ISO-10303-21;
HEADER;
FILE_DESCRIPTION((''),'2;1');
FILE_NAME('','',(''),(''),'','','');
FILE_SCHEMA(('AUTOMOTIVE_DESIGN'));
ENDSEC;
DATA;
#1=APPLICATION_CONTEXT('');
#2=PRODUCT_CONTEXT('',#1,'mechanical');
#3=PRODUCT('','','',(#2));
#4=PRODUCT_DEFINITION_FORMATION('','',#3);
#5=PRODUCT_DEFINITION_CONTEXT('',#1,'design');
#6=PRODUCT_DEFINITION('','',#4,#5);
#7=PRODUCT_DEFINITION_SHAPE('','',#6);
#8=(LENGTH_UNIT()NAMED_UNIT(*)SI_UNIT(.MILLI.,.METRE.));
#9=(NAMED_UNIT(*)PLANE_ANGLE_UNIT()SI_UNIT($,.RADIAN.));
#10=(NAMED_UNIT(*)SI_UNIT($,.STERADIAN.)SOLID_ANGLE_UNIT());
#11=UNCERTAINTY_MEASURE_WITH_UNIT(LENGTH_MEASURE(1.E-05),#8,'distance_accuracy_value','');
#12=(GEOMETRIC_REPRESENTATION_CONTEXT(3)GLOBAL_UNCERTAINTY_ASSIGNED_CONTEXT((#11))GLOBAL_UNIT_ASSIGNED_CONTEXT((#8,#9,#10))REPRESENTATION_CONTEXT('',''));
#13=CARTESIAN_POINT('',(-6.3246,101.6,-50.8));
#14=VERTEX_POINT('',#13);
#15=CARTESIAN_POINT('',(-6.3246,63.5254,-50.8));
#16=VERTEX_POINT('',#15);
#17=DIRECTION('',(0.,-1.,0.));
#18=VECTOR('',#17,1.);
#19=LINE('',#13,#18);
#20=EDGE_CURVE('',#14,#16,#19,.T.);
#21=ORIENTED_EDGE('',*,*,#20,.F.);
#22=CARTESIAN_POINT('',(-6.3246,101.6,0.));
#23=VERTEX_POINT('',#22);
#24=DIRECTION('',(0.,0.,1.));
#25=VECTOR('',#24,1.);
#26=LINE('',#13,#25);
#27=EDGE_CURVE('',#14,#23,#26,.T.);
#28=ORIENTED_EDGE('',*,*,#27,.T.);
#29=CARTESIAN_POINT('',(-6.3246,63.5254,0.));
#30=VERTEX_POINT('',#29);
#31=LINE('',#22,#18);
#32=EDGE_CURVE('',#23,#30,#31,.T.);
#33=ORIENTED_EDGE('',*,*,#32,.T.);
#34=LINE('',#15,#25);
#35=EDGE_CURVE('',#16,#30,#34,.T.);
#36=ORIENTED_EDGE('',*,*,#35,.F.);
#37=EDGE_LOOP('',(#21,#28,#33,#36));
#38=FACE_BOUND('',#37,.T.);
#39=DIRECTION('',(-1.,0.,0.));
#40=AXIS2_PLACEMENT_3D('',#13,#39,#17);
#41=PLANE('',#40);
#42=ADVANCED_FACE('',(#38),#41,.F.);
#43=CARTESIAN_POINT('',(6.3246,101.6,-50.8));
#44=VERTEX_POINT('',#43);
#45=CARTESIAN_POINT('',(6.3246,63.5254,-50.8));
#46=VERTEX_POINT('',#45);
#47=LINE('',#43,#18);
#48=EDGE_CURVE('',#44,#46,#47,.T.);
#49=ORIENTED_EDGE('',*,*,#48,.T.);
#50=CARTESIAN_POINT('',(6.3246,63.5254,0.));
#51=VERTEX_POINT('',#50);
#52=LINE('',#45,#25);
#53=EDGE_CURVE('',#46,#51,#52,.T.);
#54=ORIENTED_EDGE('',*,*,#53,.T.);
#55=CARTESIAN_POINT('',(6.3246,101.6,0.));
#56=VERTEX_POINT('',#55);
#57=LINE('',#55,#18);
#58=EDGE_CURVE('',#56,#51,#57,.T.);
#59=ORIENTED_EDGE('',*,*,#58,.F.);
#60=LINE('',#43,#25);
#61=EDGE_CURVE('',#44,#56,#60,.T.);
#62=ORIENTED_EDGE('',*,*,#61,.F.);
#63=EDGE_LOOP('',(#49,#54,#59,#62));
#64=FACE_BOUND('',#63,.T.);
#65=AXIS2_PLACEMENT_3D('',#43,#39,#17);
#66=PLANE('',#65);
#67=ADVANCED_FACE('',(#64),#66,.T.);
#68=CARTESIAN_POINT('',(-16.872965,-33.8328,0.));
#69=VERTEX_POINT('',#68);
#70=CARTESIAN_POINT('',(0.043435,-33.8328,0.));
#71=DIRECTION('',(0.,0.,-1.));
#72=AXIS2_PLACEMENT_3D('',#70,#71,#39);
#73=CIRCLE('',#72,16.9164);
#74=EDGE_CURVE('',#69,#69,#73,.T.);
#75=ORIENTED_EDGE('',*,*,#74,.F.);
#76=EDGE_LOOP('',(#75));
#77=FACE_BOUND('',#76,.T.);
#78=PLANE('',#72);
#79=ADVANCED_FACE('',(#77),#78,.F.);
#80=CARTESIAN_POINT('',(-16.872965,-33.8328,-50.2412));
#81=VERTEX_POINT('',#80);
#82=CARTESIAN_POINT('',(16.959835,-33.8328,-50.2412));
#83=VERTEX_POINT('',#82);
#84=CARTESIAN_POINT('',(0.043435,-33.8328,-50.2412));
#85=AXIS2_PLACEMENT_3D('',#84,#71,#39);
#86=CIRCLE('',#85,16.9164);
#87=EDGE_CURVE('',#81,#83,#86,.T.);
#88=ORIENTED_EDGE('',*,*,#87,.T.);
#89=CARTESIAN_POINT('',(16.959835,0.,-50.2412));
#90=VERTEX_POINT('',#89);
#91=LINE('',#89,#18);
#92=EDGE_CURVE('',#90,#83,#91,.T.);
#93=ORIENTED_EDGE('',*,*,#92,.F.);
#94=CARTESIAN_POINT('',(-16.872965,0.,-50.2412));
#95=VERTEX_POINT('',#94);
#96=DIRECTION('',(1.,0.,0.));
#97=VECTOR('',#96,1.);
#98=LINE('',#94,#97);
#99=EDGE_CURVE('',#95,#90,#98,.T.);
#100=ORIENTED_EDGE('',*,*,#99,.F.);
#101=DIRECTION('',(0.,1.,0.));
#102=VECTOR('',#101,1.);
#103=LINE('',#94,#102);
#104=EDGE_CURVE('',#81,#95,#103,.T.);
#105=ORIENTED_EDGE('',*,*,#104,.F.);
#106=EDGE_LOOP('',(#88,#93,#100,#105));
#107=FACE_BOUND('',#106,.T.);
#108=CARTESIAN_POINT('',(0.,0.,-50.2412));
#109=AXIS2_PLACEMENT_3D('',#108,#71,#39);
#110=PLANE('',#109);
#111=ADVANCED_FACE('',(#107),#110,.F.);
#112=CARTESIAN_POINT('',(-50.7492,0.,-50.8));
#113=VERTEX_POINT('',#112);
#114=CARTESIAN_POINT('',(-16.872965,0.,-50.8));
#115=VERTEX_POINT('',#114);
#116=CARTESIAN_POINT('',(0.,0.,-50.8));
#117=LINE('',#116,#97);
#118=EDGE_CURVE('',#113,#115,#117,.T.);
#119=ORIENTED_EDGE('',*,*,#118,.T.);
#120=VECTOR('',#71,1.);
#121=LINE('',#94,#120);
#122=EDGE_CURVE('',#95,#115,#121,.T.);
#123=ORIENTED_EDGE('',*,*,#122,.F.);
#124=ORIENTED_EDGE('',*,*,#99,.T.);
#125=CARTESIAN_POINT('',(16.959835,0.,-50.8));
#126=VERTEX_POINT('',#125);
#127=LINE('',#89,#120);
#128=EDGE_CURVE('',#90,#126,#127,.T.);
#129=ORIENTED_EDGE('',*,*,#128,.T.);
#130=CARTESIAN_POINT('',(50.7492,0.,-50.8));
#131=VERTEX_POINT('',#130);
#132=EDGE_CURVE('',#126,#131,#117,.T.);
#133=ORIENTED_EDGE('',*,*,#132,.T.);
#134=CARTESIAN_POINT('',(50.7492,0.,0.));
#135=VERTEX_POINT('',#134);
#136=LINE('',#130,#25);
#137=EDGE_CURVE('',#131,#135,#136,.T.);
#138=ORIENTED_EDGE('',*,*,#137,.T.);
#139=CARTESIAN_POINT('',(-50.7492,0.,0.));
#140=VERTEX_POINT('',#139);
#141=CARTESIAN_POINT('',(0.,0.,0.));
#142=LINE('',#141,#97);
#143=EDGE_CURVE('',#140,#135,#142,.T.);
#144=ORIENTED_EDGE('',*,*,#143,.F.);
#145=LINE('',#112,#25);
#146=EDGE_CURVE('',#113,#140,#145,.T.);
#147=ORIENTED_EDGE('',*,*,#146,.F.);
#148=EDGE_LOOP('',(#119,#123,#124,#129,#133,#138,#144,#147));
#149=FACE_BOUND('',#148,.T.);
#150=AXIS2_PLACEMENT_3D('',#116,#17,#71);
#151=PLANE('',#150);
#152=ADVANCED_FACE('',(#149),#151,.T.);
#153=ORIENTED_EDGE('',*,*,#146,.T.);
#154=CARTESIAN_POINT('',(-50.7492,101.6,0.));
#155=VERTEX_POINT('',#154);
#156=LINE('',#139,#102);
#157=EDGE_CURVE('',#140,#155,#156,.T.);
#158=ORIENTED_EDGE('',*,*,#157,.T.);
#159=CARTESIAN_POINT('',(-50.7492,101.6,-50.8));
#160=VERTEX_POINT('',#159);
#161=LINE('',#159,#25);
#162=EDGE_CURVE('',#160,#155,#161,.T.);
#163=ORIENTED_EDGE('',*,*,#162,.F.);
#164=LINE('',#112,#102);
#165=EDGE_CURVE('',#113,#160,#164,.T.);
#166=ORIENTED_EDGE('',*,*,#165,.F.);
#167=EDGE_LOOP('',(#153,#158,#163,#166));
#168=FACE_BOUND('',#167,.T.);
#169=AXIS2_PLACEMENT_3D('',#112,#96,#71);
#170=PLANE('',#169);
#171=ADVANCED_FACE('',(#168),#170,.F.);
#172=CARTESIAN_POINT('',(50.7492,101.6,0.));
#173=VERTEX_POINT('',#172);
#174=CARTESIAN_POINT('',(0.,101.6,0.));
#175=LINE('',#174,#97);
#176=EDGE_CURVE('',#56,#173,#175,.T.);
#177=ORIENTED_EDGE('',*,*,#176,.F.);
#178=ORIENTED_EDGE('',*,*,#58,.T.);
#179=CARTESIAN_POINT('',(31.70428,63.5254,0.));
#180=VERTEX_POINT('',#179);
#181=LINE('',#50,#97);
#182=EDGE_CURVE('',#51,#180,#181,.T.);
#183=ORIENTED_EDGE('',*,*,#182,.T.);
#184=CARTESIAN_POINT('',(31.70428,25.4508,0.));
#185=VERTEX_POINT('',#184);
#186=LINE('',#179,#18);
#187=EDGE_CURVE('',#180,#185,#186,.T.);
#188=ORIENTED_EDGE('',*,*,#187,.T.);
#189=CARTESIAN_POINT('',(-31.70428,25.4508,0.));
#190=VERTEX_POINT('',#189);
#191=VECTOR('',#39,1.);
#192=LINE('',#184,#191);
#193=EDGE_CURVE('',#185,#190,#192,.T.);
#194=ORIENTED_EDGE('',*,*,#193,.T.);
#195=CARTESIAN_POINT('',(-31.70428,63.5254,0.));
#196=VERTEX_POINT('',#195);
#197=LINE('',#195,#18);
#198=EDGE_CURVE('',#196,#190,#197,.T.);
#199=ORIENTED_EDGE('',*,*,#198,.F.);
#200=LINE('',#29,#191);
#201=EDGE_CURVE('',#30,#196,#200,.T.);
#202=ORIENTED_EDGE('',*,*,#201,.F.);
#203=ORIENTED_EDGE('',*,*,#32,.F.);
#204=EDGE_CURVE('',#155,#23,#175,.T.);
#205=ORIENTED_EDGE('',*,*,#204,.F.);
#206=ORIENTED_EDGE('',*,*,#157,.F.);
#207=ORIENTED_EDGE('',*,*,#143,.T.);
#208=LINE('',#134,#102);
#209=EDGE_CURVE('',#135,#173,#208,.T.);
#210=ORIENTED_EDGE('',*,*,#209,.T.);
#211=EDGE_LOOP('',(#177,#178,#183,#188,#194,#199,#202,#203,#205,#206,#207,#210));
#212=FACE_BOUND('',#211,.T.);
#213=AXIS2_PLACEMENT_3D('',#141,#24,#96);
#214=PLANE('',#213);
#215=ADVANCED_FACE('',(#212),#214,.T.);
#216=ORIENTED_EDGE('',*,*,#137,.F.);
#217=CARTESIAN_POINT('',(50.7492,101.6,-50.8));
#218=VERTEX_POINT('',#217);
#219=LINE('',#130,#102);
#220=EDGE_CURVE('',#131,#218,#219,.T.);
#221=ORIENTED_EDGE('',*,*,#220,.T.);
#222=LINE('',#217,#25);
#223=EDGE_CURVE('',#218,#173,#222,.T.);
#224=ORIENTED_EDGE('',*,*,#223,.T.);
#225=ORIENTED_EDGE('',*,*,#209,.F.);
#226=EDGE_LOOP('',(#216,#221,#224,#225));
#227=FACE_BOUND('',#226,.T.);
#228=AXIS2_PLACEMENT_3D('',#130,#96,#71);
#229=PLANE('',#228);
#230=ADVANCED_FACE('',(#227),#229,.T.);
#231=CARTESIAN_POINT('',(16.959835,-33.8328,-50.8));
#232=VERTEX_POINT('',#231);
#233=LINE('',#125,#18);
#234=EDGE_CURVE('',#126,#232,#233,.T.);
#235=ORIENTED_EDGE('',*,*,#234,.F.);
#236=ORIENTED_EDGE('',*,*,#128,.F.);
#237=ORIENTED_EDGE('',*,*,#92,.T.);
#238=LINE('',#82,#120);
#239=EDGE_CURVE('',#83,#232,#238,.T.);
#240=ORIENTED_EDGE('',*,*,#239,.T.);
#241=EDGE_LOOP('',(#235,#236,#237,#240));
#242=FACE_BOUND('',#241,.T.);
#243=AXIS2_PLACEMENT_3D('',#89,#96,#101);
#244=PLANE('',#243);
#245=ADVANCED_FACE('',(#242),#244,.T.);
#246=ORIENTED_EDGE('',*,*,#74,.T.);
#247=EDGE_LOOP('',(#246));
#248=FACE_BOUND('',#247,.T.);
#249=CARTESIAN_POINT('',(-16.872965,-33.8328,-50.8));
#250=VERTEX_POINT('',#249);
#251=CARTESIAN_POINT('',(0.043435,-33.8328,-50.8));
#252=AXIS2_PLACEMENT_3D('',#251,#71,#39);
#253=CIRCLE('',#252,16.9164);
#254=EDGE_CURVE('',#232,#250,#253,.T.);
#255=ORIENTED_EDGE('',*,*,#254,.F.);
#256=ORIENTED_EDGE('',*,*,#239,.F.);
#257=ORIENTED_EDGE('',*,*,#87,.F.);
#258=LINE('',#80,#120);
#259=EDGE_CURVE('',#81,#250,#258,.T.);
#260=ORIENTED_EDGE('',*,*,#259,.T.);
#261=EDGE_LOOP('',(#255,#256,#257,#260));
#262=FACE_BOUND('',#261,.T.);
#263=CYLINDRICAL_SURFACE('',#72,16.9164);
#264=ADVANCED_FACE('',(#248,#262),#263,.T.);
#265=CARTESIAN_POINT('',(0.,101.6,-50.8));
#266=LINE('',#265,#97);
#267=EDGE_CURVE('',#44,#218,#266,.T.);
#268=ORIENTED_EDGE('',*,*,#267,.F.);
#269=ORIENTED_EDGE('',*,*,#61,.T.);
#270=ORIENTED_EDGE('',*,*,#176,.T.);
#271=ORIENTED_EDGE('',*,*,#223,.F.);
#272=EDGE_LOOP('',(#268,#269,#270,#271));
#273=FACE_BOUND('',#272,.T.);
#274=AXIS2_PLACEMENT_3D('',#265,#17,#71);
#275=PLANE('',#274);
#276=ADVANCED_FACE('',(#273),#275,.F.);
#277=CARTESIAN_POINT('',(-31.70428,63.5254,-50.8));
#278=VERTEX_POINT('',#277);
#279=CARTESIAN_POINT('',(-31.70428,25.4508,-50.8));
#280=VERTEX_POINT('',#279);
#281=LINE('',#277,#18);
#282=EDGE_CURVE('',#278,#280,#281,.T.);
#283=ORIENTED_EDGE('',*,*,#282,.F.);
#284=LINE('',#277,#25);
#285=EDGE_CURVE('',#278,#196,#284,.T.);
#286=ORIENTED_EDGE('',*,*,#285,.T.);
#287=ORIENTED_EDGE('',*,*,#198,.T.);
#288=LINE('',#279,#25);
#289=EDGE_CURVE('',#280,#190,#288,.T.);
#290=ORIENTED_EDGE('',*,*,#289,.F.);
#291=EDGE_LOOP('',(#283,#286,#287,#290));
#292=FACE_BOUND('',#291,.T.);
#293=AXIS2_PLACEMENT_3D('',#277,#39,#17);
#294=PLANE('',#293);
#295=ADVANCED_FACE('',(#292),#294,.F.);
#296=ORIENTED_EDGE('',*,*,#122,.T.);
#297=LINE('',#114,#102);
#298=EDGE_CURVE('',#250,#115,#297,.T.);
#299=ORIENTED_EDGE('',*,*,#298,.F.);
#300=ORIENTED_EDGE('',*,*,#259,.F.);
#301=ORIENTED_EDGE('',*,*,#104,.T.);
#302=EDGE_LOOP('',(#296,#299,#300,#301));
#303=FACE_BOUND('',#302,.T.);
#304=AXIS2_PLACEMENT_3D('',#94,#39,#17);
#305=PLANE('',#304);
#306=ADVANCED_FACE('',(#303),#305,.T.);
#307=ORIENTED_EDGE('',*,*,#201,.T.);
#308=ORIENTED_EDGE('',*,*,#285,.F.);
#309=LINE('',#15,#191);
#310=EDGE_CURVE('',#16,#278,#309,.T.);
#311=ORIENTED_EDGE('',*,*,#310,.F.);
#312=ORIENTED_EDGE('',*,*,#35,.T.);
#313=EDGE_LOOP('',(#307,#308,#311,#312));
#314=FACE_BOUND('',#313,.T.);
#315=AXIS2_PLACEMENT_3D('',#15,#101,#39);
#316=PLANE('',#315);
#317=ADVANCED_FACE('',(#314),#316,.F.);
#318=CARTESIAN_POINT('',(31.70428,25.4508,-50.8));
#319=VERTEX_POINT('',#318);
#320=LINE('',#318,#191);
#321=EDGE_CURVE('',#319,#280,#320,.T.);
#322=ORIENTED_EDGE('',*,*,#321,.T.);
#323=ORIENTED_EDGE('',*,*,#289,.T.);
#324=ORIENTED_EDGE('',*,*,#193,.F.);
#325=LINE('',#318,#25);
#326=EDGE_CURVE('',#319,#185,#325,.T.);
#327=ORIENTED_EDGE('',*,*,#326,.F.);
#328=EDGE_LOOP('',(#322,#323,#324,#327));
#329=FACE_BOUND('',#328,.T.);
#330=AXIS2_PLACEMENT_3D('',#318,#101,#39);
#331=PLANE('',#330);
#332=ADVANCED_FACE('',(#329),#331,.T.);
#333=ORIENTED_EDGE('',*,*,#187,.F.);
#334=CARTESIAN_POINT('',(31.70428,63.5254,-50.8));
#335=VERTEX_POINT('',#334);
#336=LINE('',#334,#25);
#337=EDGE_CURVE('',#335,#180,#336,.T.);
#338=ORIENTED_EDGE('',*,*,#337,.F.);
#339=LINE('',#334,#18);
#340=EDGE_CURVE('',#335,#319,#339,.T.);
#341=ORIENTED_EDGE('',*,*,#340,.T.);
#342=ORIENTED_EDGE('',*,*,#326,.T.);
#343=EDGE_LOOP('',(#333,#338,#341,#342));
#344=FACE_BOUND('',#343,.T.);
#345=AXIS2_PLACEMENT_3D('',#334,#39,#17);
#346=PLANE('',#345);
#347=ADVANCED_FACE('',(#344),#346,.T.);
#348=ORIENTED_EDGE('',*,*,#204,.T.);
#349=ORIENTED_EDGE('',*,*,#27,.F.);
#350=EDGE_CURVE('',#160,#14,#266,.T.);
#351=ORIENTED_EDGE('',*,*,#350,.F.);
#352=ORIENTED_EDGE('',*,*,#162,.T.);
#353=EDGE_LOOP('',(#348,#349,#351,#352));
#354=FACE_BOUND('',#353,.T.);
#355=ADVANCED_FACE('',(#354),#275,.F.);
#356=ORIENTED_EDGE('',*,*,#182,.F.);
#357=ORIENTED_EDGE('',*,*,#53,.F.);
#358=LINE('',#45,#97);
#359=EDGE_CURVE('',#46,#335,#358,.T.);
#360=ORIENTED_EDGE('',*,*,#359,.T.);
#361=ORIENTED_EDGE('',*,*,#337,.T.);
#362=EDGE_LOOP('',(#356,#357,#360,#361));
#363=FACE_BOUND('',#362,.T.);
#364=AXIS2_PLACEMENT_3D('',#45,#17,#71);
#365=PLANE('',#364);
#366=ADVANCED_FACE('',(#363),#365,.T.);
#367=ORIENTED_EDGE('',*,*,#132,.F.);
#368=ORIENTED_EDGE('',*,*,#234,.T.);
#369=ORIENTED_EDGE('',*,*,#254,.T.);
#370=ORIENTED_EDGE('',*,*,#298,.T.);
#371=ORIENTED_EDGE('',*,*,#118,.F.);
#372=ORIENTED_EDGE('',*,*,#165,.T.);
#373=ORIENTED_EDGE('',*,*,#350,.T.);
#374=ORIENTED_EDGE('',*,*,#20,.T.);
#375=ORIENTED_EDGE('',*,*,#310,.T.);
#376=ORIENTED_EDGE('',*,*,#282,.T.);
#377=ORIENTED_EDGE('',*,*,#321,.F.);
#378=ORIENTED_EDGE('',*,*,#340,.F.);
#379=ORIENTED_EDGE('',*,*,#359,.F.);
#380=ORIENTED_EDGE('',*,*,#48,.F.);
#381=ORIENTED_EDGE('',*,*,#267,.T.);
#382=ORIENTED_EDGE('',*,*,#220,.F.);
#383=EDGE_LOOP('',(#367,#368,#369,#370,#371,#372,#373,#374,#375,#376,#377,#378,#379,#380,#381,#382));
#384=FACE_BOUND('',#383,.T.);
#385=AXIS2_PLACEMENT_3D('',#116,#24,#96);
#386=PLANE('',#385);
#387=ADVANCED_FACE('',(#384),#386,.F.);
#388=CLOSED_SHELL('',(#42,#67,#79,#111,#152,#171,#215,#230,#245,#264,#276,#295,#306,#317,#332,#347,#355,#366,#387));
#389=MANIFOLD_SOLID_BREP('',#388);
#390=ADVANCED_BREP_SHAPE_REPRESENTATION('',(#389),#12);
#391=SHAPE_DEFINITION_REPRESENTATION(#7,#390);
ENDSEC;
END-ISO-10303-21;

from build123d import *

# Parameters (mm, degrees)
SKETCH4_W           = 50.7492
SKETCH4_H           = 101.6
BOSS_EXTRUDE2_DEPTH = 50.8
CUT_EXTRUDE2_DEPTH  = 125.413348563
SKETCH7_W           = 33.8328
SKETCH7_H           = 33.8328
BOSS_EXTRUDE3_DEPTH = 0.5588
SKETCH8_R           = 16.9164
BOSS_EXTRUDE4_DEPTH = 50.8


with BuildPart() as part:
    # Sketch4 → Boss-Extrude2 (new body)
    with BuildSketch(Plane.XY):
        with Locations((-25.3746, 50.8)):
            Rectangle(SKETCH4_W, SKETCH4_H)
        with Locations((25.3746, 50.8)):
            Rectangle(SKETCH4_W, SKETCH4_H)
    extrude(amount=-BOSS_EXTRUDE2_DEPTH)

    # Sketch5 → Cut-Extrude2 (cut, through all)
    with BuildSketch(Plane.XY):
        Polygon((-6.3246, 101.6), (6.3246, 101.6), (6.3246, 63.5254), (31.70428, 63.5254), (31.70428, 25.4508), (-31.70428, 25.4508), (-31.70428, 63.5254), (-6.3246, 63.5254), align=None)
    extrude(amount=-CUT_EXTRUDE2_DEPTH, mode=Mode.SUBTRACT)

    # Sketch7 → Boss-Extrude3 (add)
    with BuildSketch(Plane(origin=(0, 0, -50.8), x_dir=(-1, 0, 0), z_dir=(0, 0, -1))):
        with Locations((-0.043435031, -16.9164)):
            Rectangle(SKETCH7_W, SKETCH7_H)
    extrude(amount=-BOSS_EXTRUDE3_DEPTH)

    # Sketch8 → Boss-Extrude4 (add)
    with BuildSketch(Plane(origin=(0, 0, -50.8), x_dir=(-1, 0, 0), z_dir=(0, 0, -1))):
        with Locations((-0.043435031, -33.8328)):
            Circle(SKETCH8_R)
    extrude(amount=-BOSS_EXTRUDE4_DEPTH)


solid = part.part
